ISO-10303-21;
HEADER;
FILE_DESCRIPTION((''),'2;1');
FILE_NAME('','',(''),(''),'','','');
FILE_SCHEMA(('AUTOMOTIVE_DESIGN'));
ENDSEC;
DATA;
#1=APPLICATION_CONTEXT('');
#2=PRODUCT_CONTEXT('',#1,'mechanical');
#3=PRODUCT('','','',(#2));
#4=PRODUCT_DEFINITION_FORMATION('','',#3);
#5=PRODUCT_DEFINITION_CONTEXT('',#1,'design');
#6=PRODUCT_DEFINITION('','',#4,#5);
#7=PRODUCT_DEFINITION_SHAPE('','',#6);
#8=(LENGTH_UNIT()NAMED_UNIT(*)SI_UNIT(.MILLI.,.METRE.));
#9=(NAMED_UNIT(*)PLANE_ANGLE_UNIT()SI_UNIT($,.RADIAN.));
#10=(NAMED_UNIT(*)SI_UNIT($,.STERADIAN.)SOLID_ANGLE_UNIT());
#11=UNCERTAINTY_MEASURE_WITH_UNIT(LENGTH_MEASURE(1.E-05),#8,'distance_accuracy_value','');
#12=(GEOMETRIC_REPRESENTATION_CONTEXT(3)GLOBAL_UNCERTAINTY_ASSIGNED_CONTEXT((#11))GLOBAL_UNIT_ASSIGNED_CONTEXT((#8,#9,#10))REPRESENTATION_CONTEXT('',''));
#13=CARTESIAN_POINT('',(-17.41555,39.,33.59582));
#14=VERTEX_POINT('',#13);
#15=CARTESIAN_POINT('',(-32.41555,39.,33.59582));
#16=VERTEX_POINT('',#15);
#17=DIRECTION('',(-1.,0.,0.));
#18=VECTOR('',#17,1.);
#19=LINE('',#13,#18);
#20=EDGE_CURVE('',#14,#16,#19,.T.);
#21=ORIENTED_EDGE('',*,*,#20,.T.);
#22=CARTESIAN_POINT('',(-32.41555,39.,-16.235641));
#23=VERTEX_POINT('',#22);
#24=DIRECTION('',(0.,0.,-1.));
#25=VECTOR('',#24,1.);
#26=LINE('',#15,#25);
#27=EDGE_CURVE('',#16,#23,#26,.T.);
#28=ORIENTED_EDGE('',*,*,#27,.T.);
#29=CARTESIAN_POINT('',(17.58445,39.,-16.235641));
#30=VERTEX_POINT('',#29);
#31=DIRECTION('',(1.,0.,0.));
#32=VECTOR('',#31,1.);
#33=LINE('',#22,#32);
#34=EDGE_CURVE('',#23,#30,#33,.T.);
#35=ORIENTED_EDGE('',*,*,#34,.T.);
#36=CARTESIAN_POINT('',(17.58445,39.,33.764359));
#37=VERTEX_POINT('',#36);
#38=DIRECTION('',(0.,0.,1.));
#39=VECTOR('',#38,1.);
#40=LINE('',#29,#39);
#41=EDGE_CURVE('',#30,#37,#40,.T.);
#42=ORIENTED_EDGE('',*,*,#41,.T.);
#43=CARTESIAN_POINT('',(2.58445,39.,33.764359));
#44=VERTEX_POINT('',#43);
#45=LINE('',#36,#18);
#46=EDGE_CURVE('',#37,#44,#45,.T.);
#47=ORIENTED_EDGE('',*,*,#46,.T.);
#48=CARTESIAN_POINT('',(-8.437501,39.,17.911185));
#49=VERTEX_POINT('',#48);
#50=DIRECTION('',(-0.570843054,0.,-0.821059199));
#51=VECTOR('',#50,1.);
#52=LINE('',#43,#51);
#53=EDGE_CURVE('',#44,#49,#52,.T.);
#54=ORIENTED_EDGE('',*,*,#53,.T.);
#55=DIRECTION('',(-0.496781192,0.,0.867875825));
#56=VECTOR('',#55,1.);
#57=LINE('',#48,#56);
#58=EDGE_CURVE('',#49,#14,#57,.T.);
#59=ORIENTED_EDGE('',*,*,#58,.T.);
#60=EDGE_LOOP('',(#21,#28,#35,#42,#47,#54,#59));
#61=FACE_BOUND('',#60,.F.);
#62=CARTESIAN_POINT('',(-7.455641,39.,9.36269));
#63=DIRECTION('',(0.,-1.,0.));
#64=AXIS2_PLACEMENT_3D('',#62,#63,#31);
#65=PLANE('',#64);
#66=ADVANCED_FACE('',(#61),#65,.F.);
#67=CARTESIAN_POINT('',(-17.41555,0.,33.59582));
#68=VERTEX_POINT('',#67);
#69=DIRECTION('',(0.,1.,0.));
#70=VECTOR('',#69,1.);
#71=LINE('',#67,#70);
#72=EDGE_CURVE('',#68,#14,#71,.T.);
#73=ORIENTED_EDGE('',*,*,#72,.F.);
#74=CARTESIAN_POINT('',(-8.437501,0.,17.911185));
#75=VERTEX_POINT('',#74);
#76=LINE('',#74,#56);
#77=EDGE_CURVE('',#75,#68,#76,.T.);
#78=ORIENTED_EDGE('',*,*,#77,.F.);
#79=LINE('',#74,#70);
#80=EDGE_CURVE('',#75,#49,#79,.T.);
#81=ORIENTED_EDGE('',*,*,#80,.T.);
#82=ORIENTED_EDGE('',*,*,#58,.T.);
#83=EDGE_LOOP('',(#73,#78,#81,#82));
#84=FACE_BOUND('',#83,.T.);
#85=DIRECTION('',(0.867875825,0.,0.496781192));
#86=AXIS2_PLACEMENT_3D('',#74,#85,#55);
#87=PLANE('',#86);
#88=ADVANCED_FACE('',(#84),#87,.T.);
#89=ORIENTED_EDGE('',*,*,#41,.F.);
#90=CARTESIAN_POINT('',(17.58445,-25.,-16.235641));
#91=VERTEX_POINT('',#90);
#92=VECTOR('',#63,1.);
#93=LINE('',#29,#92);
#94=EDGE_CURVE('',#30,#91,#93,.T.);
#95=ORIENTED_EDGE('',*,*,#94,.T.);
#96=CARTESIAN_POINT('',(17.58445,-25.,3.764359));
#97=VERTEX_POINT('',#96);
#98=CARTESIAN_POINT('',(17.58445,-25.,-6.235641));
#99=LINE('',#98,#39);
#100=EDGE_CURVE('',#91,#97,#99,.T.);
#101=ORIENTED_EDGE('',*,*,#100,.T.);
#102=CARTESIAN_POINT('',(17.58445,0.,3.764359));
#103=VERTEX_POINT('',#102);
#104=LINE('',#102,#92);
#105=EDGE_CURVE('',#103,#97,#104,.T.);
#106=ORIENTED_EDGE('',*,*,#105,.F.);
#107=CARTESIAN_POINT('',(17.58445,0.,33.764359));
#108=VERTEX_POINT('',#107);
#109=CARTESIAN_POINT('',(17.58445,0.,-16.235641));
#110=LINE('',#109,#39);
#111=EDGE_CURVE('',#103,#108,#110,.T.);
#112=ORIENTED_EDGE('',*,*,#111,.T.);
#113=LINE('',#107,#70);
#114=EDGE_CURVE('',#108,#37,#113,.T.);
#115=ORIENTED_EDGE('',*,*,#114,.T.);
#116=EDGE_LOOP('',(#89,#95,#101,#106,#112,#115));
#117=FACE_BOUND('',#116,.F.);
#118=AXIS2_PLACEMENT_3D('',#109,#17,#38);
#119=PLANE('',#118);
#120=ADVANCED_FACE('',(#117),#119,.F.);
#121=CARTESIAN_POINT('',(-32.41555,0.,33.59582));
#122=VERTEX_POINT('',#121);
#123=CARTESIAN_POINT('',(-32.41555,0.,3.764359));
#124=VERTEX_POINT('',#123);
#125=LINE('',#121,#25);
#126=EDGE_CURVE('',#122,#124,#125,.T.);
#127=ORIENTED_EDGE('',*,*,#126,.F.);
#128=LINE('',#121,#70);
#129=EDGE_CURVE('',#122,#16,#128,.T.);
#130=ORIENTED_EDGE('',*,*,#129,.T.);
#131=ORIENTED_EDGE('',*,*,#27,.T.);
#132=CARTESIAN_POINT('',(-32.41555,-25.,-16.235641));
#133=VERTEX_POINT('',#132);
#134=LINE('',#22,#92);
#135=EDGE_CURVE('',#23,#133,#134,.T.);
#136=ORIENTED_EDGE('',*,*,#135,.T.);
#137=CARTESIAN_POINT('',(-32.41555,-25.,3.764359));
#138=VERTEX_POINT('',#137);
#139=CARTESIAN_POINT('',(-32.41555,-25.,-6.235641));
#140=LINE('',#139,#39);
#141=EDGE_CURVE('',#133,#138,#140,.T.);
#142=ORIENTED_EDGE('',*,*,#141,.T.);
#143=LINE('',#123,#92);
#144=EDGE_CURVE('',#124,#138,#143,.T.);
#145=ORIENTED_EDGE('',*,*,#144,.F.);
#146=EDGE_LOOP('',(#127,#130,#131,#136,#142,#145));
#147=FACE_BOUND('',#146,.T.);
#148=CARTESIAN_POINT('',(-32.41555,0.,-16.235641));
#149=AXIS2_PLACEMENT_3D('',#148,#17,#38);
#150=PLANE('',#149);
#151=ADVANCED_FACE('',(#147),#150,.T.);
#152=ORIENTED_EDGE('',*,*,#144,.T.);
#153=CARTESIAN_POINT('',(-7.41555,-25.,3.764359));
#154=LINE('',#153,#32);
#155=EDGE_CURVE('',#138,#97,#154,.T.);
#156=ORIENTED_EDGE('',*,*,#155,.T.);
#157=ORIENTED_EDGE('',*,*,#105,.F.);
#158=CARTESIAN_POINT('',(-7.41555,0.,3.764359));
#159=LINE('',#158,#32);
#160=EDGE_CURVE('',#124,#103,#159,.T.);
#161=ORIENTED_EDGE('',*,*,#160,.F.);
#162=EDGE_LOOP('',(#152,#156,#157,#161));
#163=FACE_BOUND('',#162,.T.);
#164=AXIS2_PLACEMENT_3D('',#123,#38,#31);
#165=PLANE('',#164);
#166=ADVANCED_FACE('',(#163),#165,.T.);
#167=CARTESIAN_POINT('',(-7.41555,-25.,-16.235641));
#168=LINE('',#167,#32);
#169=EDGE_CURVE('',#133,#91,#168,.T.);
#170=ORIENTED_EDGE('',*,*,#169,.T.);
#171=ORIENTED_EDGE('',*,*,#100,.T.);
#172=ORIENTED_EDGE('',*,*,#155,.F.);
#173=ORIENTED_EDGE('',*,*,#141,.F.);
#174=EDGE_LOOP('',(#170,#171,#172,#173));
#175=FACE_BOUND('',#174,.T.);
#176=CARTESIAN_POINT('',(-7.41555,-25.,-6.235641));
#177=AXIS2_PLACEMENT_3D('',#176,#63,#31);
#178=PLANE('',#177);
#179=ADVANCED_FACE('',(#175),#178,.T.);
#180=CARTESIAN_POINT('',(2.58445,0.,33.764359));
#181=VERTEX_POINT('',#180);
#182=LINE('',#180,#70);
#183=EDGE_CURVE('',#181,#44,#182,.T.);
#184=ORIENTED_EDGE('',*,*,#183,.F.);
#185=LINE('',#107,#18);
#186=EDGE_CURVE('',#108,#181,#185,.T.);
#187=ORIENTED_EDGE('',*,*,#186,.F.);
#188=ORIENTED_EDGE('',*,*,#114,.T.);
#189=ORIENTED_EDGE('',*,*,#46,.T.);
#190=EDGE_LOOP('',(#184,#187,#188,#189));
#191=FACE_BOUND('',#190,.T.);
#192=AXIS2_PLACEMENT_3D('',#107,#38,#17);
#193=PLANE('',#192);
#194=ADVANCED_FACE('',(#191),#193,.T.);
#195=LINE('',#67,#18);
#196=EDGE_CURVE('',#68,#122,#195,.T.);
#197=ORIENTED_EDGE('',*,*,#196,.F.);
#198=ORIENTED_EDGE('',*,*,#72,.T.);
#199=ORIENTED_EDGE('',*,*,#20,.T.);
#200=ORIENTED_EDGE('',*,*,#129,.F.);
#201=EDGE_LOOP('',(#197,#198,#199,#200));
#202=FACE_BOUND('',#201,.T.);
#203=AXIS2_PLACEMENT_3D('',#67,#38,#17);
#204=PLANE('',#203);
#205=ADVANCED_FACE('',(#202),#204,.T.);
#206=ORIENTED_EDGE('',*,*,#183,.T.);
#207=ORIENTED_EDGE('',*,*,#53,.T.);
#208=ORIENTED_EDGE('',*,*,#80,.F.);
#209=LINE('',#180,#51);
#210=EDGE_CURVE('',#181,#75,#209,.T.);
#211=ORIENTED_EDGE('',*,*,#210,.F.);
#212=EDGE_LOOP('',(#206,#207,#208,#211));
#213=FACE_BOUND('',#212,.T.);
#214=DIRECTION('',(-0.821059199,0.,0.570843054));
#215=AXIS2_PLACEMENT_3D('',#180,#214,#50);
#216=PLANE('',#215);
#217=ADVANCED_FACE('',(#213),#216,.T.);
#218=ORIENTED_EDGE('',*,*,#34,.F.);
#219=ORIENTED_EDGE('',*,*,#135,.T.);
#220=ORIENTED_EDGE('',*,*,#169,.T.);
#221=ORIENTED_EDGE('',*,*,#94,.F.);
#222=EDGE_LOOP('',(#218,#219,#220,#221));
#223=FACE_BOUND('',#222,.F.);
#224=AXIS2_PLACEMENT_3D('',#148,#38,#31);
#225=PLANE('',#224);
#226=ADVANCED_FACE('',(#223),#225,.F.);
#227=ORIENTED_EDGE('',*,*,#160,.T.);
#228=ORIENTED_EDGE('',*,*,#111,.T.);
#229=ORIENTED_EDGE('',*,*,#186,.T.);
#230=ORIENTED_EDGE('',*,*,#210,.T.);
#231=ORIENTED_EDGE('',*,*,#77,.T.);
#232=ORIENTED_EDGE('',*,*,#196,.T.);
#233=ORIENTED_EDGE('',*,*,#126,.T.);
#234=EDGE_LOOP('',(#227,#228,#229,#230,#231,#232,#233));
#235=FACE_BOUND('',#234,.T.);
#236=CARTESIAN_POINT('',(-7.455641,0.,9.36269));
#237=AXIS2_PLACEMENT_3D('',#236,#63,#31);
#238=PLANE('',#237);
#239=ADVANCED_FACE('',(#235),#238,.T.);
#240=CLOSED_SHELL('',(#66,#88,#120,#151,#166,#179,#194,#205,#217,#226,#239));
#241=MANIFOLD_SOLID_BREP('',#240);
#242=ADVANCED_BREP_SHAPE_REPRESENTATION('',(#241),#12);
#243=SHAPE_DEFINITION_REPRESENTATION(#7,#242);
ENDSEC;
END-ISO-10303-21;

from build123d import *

# Parameters (mm, degrees)
F1_DEPTH = 39
F2_W     = 50
F2_H     = 20
F3_DEPTH = 25


with BuildPart() as f1:
    # F0 (on Front) → F1 (new body)
    with BuildSketch(Plane.XZ):
        Polygon((-17.41555, 33.59582), (-32.41555, 33.59582), (-32.41555, -16.235641), (17.58445, -16.235641), (17.58445, 33.764359), (2.58445, 33.764359), (-8.437501, 17.911185), align=None)
    extrude(amount=-F1_DEPTH)

    # F2 (on face) → F3 (join)
    with BuildSketch(Plane.XZ):
        with Locations((-7.41555, -6.235641)):
            Rectangle(F2_W, F2_H)
    extrude(amount=F3_DEPTH)


solid = f1.part
